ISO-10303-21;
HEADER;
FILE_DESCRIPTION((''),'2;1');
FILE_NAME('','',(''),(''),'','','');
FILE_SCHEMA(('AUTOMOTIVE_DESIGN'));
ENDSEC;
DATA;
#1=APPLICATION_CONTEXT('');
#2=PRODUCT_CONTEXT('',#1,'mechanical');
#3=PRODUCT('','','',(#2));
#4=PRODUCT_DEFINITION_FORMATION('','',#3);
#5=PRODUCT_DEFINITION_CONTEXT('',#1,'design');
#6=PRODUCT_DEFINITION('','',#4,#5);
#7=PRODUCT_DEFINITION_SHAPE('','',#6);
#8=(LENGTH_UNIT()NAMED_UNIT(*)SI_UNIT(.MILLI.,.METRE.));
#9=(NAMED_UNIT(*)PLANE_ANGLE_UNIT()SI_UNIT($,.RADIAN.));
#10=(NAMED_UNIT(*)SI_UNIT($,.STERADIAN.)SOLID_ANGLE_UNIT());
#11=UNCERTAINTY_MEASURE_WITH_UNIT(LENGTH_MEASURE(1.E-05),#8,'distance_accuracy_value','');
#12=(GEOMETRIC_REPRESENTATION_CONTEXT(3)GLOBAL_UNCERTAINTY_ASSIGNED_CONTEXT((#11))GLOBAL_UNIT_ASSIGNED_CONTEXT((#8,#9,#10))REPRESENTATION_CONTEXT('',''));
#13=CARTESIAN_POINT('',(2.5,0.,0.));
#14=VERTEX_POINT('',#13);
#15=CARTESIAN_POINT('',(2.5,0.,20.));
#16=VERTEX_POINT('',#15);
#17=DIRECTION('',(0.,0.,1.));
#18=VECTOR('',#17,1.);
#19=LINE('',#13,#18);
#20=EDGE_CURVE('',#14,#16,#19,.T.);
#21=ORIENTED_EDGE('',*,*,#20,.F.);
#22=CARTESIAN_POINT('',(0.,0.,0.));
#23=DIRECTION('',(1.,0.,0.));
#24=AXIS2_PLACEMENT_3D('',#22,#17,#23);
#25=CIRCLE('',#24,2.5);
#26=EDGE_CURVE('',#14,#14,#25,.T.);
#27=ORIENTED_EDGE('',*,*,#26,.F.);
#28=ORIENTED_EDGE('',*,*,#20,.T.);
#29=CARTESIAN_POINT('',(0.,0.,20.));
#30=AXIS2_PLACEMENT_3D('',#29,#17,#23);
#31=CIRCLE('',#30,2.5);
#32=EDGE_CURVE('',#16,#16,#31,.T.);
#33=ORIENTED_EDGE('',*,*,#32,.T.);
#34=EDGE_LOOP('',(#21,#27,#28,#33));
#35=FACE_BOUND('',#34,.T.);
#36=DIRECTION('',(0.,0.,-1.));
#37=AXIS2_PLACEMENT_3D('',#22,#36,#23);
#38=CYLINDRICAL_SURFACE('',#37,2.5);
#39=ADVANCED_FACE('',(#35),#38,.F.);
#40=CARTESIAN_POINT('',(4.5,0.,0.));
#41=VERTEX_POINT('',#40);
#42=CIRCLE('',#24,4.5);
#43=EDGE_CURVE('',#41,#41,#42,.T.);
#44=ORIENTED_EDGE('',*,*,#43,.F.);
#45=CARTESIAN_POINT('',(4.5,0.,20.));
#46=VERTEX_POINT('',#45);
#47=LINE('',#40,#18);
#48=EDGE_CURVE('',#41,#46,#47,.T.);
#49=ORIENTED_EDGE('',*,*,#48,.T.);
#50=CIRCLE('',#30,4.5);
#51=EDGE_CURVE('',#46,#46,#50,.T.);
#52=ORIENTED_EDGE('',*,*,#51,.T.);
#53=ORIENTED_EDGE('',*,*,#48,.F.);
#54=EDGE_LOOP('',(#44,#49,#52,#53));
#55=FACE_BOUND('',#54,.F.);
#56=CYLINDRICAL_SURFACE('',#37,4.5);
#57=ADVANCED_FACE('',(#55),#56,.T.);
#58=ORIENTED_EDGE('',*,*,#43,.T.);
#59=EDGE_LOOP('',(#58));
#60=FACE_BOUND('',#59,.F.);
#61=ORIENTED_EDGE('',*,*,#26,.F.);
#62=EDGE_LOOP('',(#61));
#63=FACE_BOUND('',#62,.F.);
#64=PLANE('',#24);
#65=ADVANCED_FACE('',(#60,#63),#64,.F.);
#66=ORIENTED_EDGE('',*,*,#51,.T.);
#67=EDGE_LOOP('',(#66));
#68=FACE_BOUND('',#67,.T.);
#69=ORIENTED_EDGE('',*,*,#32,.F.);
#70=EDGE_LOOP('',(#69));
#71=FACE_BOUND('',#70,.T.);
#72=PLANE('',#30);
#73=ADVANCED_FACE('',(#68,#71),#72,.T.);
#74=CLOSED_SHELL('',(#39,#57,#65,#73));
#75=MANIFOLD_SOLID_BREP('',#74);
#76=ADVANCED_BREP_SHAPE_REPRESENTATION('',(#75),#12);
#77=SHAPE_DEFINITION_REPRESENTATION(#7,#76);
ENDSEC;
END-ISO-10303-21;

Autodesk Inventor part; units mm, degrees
ref_plane "YZ Plane" through (0, 0, 0) normal (1, 0, 0) x (0, 1, 0)
ref_plane "XZ Plane" through (0, 0, 0) normal (0, 1, 0) x (-1, 0, 0)
ref_plane "XY Plane" through (0, 0, 0) normal (0, 0, 1) x (1, 0, 0)
sketch "Szkic1" plane through (0, 0, 0) normal (0, 0, 1) x (1, 0, 0)
  circle A0 centre (0, 0) radius 2.5
  circle A1 centre (0, 0) radius 4.5
  dimension "d0" = 5
  dimension "d1" = 9
extrude "Wyciągnięcie proste1" add sketch "Szkic1" along normal blind 20
properties part number "tuleja_M5_M9_18"
